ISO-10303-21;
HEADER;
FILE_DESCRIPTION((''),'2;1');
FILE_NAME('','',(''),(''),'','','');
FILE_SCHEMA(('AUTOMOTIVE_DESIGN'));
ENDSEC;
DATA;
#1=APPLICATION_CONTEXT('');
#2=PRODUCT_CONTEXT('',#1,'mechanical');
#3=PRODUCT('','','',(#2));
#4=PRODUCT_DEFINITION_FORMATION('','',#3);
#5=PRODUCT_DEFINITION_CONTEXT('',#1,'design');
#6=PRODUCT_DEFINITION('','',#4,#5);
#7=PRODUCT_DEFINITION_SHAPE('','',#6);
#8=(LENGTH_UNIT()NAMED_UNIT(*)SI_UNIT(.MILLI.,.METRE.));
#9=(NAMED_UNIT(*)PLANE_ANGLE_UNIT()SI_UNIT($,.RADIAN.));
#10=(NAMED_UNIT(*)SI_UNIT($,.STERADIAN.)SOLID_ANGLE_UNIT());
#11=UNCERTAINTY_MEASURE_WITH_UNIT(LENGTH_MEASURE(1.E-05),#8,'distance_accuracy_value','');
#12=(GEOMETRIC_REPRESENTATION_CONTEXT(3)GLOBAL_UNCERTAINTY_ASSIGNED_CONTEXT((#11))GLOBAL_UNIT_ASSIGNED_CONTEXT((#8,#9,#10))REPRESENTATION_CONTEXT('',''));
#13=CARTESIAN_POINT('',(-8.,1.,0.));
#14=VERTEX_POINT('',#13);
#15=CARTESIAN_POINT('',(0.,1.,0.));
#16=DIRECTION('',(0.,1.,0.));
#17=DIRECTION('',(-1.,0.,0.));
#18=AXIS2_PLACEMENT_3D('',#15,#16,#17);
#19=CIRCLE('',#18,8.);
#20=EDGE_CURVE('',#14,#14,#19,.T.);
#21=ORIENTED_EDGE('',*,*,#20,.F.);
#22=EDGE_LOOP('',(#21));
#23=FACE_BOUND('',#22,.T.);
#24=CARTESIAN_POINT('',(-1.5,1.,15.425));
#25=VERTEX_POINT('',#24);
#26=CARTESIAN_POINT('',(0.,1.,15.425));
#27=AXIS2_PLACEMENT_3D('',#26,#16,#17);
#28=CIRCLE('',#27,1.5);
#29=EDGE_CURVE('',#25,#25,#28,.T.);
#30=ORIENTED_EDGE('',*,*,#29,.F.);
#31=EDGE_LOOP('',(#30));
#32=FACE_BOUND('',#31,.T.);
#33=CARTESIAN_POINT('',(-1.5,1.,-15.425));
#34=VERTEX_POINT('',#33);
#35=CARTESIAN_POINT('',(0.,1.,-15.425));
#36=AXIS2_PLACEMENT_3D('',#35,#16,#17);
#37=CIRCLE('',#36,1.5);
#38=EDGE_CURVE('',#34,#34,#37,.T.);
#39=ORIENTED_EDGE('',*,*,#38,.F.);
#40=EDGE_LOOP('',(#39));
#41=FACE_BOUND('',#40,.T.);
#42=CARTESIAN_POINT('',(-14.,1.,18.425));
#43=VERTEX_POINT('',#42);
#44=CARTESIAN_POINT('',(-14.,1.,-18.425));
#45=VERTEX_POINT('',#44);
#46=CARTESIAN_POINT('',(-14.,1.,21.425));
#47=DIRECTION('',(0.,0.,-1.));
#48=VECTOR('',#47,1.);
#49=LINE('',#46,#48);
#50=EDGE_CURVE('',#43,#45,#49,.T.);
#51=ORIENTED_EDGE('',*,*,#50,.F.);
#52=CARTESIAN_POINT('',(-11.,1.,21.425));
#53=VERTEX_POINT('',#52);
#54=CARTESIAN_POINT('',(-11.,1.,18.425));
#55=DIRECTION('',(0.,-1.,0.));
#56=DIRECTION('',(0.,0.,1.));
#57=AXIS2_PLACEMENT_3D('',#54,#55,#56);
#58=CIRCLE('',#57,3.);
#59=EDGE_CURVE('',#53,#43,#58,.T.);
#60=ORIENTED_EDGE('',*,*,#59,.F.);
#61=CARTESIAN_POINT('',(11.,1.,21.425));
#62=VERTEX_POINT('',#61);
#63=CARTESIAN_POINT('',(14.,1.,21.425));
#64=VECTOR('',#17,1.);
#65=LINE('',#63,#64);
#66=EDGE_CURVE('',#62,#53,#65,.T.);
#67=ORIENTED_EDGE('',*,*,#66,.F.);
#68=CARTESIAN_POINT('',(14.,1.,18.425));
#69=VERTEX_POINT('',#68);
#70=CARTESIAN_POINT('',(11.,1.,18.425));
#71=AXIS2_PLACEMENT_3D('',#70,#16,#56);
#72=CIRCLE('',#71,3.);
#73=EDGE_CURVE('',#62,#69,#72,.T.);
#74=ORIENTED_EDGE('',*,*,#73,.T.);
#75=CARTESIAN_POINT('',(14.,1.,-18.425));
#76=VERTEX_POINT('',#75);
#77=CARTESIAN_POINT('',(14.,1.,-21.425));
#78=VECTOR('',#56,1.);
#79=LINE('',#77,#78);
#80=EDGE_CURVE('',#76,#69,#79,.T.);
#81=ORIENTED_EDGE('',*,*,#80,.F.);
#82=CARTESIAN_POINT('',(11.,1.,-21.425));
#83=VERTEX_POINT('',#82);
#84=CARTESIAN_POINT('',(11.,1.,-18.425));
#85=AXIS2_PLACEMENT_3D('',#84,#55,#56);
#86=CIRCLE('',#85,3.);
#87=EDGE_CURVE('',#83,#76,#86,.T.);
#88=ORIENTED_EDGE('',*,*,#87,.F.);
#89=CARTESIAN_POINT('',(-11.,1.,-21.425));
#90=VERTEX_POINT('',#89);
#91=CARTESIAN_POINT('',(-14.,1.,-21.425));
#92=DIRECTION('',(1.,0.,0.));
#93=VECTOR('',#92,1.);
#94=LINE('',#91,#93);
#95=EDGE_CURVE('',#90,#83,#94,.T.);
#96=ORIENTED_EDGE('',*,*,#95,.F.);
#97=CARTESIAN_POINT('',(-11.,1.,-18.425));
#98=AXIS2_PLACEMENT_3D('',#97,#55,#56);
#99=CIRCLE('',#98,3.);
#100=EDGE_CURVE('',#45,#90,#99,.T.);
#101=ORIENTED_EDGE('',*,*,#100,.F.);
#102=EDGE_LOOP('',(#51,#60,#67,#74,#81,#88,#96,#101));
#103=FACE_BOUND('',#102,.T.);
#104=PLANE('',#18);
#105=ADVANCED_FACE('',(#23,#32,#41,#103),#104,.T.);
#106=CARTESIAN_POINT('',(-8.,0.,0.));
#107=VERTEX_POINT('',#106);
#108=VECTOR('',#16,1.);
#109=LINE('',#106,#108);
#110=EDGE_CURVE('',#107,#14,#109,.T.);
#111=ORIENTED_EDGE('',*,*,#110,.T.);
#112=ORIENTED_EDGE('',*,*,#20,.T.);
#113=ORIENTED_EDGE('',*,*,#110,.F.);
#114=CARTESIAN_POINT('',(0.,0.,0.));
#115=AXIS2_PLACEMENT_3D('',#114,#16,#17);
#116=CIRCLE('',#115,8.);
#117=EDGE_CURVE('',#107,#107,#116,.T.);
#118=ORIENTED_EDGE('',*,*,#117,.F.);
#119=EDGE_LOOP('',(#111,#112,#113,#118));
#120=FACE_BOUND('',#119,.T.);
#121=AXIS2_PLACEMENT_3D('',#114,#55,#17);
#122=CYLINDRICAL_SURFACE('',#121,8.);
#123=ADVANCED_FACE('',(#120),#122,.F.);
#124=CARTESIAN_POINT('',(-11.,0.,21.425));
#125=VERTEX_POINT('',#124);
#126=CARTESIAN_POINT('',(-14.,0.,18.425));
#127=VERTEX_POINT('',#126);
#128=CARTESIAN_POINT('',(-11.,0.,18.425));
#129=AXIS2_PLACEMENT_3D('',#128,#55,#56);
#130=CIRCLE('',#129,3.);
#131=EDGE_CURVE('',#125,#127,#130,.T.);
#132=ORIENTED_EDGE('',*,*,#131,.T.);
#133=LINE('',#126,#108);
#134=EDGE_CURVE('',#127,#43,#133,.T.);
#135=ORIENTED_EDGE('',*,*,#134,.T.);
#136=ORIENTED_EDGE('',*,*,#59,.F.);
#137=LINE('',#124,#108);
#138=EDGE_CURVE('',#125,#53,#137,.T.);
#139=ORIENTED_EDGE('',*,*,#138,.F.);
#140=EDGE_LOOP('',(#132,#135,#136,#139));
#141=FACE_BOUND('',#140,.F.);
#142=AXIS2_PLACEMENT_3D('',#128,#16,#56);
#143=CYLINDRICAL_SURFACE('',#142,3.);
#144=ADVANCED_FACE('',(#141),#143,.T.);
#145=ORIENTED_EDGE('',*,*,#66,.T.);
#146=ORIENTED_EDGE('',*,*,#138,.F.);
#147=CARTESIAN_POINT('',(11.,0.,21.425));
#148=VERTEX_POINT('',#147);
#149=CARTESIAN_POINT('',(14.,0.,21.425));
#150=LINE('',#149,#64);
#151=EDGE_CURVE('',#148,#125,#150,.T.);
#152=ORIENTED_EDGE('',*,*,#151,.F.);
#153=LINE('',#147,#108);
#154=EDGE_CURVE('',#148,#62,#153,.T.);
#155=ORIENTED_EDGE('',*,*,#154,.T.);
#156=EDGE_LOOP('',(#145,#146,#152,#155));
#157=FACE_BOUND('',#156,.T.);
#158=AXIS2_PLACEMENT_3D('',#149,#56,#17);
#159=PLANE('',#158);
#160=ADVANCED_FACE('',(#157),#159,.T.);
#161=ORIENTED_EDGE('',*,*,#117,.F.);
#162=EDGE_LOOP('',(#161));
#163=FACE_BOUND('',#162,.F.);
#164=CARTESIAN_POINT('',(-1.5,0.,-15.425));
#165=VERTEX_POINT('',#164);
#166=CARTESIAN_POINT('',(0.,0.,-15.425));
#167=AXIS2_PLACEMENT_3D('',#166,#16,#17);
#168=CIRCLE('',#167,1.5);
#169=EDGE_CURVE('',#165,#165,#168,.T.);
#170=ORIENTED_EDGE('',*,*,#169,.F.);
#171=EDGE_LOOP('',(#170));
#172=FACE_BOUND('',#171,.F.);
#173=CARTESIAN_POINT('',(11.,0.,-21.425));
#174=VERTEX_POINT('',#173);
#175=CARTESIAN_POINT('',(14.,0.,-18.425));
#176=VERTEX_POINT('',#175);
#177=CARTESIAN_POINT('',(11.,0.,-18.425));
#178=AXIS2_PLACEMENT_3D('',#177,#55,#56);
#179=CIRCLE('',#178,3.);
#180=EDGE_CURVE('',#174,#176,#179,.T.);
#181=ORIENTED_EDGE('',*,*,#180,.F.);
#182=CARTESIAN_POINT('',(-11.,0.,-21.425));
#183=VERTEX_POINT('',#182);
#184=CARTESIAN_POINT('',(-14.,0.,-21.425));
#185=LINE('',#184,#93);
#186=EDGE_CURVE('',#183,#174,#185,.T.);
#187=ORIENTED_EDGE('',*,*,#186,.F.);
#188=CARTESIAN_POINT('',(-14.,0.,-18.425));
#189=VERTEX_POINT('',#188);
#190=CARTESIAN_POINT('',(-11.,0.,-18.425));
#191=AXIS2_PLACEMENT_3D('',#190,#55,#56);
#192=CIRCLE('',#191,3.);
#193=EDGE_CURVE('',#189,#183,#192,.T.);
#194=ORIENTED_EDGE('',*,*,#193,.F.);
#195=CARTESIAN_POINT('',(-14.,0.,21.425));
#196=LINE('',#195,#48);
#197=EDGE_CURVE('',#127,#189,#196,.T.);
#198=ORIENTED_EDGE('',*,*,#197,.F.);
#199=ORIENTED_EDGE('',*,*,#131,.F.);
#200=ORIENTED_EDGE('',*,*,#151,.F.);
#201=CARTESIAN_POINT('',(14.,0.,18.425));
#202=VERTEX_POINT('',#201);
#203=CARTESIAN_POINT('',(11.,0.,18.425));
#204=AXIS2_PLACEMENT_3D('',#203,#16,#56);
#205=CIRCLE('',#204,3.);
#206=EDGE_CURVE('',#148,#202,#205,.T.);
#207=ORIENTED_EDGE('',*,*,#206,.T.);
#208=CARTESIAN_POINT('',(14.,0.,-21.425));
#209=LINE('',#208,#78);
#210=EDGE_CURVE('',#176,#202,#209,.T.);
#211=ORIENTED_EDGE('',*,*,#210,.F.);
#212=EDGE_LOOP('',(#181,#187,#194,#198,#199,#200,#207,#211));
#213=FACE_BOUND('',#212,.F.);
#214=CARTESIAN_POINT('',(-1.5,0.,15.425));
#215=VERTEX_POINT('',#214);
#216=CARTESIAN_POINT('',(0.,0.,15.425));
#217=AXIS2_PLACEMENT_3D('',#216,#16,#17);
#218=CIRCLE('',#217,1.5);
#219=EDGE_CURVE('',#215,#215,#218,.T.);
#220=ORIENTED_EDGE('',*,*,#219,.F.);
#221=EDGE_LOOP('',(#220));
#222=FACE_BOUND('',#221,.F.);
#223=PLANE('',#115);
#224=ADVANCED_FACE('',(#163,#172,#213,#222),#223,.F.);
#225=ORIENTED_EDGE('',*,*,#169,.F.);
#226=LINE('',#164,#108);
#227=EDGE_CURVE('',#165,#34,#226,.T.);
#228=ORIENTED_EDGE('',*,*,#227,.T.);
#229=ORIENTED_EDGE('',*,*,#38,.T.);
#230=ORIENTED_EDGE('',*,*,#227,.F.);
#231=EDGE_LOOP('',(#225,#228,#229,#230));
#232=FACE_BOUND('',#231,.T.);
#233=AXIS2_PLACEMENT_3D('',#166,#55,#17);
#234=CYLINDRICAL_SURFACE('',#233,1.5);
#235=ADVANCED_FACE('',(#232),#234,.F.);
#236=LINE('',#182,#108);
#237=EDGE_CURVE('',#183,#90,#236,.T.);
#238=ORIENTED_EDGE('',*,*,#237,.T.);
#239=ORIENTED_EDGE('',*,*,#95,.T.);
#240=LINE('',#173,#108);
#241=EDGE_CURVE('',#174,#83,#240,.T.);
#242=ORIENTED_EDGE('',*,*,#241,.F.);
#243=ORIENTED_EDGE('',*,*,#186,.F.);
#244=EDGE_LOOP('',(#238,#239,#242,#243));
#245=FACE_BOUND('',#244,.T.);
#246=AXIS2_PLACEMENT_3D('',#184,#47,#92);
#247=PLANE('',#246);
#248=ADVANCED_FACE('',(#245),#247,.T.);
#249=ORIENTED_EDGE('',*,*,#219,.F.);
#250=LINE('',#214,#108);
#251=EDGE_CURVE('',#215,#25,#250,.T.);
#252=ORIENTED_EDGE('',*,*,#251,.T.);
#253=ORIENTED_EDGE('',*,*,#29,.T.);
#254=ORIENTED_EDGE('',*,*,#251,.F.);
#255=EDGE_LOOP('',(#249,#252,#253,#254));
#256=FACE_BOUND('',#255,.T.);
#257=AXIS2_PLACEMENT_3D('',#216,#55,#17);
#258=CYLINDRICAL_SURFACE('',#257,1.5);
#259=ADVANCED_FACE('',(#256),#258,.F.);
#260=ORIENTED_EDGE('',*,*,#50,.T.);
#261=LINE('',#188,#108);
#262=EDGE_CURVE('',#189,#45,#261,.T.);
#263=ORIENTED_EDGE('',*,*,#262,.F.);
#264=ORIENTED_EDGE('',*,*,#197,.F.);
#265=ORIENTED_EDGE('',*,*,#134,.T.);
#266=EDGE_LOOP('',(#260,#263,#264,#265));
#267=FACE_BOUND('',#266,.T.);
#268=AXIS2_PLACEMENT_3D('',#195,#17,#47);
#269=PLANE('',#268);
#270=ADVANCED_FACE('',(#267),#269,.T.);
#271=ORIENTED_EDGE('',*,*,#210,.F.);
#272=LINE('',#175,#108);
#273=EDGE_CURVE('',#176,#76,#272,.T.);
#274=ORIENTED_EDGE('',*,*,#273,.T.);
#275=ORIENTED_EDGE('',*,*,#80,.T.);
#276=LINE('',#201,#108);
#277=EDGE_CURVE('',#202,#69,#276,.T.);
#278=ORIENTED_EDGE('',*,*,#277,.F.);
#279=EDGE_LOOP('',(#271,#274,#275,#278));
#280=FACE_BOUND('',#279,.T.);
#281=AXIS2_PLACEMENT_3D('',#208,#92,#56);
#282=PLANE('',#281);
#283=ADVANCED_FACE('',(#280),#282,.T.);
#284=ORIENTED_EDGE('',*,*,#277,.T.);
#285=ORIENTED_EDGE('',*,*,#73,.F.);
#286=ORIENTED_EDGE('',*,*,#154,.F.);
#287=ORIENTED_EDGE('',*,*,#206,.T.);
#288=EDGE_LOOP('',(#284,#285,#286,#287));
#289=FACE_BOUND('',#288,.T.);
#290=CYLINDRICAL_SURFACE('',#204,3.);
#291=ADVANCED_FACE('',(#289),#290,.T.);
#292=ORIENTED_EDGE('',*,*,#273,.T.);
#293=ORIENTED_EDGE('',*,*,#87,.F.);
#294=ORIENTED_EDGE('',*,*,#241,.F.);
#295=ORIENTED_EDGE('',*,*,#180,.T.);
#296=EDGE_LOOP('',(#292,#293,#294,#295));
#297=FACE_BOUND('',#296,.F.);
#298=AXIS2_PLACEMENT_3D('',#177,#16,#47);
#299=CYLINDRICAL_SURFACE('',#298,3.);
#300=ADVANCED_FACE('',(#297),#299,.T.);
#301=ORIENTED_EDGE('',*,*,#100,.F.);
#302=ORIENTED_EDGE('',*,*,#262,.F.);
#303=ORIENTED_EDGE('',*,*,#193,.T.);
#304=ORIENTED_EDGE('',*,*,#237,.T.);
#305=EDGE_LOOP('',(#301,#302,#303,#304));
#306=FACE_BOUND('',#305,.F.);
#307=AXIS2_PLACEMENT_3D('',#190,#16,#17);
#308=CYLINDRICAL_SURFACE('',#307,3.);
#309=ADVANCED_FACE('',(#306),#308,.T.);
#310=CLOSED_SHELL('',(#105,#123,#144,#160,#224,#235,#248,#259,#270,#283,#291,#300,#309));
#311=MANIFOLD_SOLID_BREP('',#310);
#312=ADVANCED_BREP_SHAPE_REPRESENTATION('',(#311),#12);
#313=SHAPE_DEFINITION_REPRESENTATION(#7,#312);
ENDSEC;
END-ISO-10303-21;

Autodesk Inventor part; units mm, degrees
ref_plane "YZ Plane" through (0, 0, 0) normal (1, 0, 0) x (0, 1, 0)
ref_plane "XZ Plane" through (0, 0, 0) normal (0, 1, 0) x (-1, 0, 0)
ref_plane "XY Plane" through (0, 0, 0) normal (0, 0, 1) x (1, 0, 0)
sketch "Esboço1" plane through (0, 0, 0) normal (0, 1, 0) x (-1, 0, 0)
  circle A0 centre (0, -15.425) radius 1.5
  circle A1 centre (0, 15.425) radius 1.5
  circle A2 centre (0, 0) radius 8
  line L0 (-14, 21.425) -> (14, 21.425)
  line L1 (14, 21.425) -> (14, -21.425)
  line L2 (14, -21.425) -> (-14, -21.425)
  line L3 (-14, -21.425) -> (-14, 21.425)
  dimension "d0" = 3
  dimension "d1" = 3
  dimension "d2" = 16
extrude "Extrusão1" add sketch "Esboço1" along normal blind 1
fillet "Arredondamento1" radius 3 4 edges at (14, 0.5, 21.425) (-14, 0.5, 21.425) (14, 0.5, -21.425) (-14, 0.5, -21.425)
properties part number "borracha isolamento prensa cabo" material "Borracha"
